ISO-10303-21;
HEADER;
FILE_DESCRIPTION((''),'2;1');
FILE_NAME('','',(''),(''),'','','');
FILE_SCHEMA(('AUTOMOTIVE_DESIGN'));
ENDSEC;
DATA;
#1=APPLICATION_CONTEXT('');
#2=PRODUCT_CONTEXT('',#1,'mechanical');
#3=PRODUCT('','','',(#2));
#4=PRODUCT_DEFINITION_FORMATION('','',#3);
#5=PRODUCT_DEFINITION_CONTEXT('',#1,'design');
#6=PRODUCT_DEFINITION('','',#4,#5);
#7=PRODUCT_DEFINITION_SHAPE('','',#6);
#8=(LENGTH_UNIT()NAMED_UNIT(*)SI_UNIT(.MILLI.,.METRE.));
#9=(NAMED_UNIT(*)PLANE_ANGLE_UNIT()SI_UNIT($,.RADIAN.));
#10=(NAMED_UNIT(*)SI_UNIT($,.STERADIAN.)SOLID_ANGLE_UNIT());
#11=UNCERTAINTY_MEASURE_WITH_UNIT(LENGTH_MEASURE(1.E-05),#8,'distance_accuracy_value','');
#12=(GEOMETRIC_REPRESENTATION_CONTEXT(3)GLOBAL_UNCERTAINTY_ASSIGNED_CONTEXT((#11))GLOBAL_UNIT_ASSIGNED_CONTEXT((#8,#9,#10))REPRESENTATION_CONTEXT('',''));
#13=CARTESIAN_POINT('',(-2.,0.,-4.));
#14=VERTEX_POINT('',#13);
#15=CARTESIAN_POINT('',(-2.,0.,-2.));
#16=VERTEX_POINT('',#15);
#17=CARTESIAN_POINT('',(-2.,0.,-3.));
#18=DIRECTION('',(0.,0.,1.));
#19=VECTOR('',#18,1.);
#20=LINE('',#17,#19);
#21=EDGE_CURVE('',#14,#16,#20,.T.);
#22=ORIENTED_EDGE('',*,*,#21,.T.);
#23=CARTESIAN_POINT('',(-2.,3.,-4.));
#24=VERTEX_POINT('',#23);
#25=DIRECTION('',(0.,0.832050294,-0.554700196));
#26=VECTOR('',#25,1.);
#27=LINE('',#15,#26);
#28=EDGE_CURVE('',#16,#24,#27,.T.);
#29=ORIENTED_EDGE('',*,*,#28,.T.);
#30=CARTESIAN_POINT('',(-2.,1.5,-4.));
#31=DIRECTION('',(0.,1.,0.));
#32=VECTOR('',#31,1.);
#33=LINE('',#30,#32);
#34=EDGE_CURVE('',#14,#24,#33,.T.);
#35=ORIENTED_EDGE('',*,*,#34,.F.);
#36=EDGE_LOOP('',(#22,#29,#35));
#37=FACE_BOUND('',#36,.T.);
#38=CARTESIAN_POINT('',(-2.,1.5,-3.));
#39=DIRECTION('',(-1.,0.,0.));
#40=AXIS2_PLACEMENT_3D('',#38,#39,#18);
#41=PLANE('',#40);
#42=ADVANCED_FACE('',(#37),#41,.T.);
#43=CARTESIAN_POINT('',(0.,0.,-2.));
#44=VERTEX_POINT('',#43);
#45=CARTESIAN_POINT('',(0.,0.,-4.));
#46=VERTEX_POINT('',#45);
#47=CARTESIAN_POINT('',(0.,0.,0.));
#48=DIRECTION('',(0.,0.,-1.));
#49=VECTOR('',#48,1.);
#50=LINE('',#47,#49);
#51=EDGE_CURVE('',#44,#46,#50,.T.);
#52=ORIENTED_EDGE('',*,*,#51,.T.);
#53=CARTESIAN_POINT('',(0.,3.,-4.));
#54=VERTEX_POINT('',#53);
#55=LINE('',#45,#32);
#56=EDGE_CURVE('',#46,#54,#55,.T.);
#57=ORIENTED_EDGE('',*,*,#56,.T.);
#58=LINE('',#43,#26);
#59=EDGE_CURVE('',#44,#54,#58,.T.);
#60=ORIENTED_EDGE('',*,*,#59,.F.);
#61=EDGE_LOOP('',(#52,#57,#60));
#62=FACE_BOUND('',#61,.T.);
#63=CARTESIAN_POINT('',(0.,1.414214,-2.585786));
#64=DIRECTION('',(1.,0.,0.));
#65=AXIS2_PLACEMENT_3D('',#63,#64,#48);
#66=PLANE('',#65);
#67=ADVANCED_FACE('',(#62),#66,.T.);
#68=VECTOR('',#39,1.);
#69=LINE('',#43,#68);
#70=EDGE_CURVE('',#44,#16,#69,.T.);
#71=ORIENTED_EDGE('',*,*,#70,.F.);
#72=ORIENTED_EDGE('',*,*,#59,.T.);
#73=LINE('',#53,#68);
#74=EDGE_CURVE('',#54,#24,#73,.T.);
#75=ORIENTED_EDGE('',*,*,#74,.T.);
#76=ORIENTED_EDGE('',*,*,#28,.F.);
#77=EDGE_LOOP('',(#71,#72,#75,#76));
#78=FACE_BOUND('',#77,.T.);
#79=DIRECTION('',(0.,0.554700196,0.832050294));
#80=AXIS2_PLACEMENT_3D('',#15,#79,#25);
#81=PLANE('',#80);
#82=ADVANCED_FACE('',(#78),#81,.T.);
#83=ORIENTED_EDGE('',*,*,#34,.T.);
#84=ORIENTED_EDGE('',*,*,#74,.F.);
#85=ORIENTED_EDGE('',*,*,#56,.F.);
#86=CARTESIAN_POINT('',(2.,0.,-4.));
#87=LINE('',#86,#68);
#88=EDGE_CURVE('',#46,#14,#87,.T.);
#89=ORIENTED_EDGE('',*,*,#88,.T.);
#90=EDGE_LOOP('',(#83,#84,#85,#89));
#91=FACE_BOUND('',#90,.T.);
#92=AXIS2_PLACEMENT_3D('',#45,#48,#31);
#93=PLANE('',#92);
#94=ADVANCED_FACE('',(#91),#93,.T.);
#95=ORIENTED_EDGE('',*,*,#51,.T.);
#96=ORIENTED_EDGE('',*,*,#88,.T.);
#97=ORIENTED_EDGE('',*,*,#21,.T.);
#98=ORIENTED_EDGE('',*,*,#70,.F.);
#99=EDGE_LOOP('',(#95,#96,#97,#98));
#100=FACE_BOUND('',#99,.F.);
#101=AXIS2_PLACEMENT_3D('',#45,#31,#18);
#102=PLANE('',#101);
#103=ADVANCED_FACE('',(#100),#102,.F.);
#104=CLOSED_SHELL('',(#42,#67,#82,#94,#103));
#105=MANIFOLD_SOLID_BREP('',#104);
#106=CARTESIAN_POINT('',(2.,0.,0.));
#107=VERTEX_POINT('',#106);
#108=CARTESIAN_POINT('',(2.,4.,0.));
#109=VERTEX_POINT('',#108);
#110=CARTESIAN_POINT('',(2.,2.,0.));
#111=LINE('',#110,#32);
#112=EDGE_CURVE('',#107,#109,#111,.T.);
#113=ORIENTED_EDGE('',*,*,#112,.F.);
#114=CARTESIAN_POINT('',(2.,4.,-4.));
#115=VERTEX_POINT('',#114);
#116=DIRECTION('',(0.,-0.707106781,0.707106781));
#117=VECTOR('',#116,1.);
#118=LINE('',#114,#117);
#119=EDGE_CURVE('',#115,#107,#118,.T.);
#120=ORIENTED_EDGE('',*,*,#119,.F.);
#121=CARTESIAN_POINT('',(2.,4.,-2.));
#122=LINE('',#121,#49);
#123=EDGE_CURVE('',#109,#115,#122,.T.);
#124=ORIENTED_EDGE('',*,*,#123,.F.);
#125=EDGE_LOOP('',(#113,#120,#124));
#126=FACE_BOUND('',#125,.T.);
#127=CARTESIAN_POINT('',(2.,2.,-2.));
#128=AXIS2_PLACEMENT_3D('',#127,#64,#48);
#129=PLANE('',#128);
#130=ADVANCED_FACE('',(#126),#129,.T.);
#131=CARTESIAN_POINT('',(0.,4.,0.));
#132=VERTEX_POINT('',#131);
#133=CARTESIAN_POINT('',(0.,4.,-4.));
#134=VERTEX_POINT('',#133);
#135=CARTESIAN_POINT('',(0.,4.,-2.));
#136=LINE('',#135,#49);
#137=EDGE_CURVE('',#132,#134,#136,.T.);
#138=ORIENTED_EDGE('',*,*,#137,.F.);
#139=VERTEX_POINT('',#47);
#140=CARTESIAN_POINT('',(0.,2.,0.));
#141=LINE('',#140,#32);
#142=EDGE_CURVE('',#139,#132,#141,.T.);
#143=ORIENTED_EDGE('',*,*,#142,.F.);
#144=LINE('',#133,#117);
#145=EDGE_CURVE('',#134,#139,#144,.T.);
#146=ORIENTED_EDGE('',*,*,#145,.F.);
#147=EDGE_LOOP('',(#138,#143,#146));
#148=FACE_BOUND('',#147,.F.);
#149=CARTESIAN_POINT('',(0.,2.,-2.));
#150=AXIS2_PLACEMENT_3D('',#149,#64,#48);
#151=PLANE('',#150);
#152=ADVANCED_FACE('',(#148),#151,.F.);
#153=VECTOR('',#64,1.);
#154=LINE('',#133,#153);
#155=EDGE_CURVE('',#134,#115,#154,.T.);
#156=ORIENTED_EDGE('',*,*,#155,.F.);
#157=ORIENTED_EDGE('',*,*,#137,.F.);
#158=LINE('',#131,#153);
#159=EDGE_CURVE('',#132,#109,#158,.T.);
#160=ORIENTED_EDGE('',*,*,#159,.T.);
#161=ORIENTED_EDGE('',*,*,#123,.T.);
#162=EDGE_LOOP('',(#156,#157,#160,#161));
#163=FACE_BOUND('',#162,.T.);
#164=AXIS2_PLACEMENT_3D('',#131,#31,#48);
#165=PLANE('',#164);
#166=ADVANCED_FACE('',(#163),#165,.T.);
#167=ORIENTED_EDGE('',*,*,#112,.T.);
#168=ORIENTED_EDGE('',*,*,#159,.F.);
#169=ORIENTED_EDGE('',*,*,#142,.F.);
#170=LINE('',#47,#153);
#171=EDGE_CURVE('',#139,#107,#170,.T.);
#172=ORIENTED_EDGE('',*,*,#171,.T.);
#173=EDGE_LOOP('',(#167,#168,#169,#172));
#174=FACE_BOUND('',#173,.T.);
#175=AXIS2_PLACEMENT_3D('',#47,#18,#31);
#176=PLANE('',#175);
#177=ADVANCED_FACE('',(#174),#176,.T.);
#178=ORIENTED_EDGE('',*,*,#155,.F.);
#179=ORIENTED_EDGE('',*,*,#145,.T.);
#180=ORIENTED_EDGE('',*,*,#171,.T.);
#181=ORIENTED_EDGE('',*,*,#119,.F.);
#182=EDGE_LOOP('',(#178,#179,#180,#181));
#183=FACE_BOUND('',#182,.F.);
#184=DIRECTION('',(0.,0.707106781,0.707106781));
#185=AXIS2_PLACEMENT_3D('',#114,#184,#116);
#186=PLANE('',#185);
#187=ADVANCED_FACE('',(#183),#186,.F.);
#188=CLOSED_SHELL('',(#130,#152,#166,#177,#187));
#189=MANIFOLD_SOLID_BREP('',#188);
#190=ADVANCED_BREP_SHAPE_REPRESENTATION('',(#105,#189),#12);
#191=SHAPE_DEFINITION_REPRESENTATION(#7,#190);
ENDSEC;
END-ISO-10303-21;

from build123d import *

# Parameters (mm, degrees)
SKETCH1_W           = 4
SKETCH1_H           = 4
BOSS_EXTRUDE1_DEPTH = 2
SKETCH2_W           = 2
SKETCH2_H           = 3
BOSS_EXTRUDE2_DEPTH = 2
CUT_EXTRUDE1_DEPTH  = 2
CUT_EXTRUDE2_DEPTH  = 2


with BuildPart() as part:
    # Sketch1 → Boss-Extrude1 (new body)
    with BuildSketch(Plane(origin=(0, 0, 0), x_dir=(0, 0, -1), z_dir=(1, 0, 0))):
        with Locations((2, 2)):
            Rectangle(SKETCH1_W, SKETCH1_H)
    extrude(amount=BOSS_EXTRUDE1_DEPTH)

    # Sketch2 → Boss-Extrude2 (add)
    with BuildSketch(Plane.ZY):
        with Locations((-3, 1.5)):
            Rectangle(SKETCH2_W, SKETCH2_H)
    extrude(amount=BOSS_EXTRUDE2_DEPTH)

    # Sketch3 → Cut-Extrude1 (cut)
    with BuildSketch(Plane.ZY.offset(2)):
        Polygon((-4, 3), (-2, 3), (-2, 0), align=None)
    extrude(amount=-CUT_EXTRUDE1_DEPTH, mode=Mode.SUBTRACT)

    # Sketch4 → Cut-Extrude2 (cut)
    with BuildSketch(Plane(origin=(2, 0, 0), x_dir=(0, 0, -1), z_dir=(1, 0, 0))):
        Polygon((4, 4), (0, 0), (4, 0), align=None)
    extrude(amount=-CUT_EXTRUDE2_DEPTH, mode=Mode.SUBTRACT)


solid = part.part
